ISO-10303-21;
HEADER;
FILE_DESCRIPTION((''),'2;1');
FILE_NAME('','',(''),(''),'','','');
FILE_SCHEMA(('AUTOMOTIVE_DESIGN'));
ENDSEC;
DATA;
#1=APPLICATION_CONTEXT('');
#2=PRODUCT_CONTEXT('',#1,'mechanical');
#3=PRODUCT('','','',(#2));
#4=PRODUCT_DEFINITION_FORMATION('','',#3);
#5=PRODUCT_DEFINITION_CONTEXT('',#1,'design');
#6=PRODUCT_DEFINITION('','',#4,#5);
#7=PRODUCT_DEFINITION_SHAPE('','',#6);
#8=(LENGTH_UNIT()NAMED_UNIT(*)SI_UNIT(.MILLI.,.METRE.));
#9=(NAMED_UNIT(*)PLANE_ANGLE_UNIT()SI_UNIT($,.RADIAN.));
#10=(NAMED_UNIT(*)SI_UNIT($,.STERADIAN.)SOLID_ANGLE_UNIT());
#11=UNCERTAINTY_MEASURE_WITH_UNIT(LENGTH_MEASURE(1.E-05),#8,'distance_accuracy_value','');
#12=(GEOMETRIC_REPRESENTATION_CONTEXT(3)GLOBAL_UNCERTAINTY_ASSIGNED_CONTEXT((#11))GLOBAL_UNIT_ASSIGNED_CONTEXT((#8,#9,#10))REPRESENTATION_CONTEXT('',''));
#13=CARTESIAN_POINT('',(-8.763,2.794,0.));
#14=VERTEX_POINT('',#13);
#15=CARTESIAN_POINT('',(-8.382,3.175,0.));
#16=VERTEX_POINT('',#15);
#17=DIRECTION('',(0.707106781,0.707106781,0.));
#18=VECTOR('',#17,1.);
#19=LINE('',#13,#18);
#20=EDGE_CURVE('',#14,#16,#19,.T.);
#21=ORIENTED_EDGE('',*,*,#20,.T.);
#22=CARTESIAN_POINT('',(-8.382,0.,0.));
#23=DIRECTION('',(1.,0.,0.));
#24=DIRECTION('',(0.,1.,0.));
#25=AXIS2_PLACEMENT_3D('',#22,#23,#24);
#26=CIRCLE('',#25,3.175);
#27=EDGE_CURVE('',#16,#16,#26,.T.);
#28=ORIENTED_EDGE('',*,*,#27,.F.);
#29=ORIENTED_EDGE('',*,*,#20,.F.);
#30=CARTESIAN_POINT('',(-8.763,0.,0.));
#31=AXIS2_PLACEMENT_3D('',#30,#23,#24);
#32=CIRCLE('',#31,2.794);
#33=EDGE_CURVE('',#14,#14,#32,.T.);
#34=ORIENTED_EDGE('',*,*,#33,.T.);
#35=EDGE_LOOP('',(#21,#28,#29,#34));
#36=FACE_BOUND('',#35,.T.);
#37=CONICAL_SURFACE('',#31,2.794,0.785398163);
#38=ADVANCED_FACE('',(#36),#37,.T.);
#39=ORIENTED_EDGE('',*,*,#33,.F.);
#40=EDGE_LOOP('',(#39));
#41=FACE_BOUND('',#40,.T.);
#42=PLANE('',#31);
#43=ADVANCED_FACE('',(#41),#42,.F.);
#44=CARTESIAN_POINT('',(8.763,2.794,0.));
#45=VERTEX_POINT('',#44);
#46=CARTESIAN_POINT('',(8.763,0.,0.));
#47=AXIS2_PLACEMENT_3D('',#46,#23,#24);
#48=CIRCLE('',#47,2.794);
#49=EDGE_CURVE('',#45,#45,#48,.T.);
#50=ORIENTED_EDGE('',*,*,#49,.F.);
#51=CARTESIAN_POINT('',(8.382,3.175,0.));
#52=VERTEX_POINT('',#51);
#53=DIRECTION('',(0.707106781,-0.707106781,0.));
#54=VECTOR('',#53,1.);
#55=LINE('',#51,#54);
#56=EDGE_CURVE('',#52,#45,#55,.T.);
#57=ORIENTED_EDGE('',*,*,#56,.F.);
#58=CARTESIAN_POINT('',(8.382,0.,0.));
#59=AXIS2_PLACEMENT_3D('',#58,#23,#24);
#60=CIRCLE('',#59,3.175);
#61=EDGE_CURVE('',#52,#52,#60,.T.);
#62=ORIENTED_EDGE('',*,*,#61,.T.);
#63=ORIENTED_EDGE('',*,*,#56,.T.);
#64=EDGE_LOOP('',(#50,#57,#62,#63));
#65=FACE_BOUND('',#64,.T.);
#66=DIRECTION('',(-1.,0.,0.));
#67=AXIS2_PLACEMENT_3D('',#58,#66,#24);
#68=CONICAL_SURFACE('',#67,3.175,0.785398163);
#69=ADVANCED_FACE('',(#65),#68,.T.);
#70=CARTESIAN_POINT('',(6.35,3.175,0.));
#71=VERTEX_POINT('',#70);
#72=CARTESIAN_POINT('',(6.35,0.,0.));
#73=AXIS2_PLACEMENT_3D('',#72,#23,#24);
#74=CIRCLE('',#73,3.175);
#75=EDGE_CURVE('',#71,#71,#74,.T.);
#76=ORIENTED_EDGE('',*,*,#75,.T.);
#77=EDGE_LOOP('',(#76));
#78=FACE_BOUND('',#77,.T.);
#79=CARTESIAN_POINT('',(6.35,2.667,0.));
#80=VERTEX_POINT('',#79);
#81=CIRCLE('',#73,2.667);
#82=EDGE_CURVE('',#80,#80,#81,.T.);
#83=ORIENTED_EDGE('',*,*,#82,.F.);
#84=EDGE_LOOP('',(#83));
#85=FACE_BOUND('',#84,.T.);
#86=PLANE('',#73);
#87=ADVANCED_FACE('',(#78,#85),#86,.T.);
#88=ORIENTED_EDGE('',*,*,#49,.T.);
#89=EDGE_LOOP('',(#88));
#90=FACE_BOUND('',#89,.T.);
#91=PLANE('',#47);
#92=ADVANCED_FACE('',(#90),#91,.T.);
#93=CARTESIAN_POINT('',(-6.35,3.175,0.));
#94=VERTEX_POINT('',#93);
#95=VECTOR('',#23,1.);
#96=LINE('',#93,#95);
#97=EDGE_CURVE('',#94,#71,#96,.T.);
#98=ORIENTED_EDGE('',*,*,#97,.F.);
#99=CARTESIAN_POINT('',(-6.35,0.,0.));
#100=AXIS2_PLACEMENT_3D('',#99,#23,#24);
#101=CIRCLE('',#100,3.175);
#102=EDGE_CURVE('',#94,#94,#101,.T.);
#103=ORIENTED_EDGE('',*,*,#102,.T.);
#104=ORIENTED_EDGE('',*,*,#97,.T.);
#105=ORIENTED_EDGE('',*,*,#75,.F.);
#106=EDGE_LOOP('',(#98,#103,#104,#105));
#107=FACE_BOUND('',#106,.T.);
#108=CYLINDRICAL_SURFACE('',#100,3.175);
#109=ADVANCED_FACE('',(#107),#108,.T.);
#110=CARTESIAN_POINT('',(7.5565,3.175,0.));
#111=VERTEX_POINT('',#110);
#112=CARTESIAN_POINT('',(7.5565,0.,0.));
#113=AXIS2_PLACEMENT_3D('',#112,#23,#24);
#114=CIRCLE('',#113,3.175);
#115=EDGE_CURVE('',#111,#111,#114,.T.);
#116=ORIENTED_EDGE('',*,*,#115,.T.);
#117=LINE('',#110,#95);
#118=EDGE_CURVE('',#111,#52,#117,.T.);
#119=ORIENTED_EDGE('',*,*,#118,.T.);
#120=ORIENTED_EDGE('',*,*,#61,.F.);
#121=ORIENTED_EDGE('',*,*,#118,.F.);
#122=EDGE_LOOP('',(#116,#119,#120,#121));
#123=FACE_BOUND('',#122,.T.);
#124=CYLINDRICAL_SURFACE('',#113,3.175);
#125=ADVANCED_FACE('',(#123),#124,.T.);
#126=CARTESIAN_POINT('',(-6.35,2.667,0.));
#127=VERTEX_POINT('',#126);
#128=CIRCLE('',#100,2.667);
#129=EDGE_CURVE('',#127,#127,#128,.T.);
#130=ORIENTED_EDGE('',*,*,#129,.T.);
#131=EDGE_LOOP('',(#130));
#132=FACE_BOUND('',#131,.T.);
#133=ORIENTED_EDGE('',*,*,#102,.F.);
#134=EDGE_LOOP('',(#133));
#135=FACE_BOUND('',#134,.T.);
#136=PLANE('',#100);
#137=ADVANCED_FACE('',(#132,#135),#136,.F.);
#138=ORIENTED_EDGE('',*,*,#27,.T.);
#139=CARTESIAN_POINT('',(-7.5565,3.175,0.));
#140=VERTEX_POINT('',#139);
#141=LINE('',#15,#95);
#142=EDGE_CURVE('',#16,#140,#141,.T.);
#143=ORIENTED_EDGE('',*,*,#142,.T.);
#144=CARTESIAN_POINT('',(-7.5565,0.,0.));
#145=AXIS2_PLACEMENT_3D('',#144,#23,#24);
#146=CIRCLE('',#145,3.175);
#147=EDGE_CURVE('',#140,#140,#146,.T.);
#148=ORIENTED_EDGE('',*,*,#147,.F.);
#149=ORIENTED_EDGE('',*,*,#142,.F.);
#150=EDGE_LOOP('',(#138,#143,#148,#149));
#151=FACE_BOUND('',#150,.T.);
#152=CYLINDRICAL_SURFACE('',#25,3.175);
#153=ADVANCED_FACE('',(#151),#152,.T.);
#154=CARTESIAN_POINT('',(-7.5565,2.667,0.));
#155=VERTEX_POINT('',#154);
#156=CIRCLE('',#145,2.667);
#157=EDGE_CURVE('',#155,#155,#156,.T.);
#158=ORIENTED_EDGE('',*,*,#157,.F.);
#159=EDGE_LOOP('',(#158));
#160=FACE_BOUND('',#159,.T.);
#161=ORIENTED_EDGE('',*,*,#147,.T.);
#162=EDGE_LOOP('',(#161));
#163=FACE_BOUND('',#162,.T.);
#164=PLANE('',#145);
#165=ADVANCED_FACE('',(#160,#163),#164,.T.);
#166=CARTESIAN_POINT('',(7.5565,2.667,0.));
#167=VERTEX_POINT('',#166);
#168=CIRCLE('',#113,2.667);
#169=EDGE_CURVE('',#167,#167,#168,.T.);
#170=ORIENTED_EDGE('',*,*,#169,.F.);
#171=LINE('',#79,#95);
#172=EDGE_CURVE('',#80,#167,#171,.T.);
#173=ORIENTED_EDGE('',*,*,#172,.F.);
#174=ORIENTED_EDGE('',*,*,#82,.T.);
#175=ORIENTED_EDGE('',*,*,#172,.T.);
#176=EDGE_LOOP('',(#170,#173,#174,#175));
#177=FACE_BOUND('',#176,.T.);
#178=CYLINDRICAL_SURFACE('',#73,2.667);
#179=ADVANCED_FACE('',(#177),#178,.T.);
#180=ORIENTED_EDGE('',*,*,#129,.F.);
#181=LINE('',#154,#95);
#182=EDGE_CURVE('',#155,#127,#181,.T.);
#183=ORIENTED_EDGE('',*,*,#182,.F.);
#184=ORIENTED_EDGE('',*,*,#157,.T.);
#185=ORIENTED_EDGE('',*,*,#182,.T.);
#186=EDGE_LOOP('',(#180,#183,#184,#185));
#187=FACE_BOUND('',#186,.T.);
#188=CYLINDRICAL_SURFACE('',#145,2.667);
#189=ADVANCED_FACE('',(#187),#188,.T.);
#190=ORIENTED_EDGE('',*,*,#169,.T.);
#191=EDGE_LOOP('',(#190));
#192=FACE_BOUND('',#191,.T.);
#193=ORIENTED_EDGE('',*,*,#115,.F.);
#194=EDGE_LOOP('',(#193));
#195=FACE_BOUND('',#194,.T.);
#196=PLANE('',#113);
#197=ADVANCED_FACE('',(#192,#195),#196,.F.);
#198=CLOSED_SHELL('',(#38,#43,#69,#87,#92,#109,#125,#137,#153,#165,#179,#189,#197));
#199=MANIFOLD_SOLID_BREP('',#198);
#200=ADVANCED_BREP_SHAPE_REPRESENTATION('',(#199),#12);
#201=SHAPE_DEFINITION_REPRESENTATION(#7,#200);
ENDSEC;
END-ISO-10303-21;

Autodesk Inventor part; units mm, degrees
sketch "Sketch_1" plane through (0, 0, 0) normal (0, 0, 1) x (1, 0, 0)
  line L0 (8.763, 0) -> (-8.763, 0)
  line L1 (-8.763, 0) -> (-8.763, 2.794)
  line L2 (-8.763, 2.794) -> (-8.382, 3.175)
  line L3 (-8.382, 3.175) -> (-7.5565, 3.175)
  line L4 (-7.5565, 3.175) -> (-7.5565, 2.667)
  line L5 (-7.5565, 2.667) -> (-6.35, 2.667)
  line L6 (-6.35, 2.667) -> (-6.35, 3.175)
  line L7 (-6.35, 3.175) -> (6.35, 3.175)
  line L8 (6.35, 3.175) -> (6.35, 2.667)
  line L9 (6.35, 2.667) -> (7.5565, 2.667)
  line L10 (7.5565, 2.667) -> (7.5565, 3.175)
  line L11 (7.5565, 3.175) -> (8.382, 3.175)
  line L12 (8.382, 3.175) -> (8.763, 2.794)
  line L13 (8.763, 2.794) -> (8.763, 0)
  line L14 (8.763, 0) -> (-8.763, 0)
revolve "Revolution1" add sketch "Sketch_1" angle 360 about axis through (8.763, 0, 0) along (1, 0, 0)
ref_plane "p1_XY" through (0, 0, 3.175) normal (1, 0, 0) x (0, 0, -1)
ref_plane "p1_YZ" through (0, 0, 3.175) normal (0, 0, -1) x (0, 1, 0)
ref_plane "p1_ZX" through (0, 0, 3.175) normal (0, 1, 0) x (1, 0, 0)
ref_plane "p2_XY" through (0, 0, -3.175) normal (1, 0, 0) x (0, 0, -1)
ref_plane "p2_YZ" through (0, 0, -3.175) normal (0, 0, -1) x (0, 1, 0)
ref_plane "p2_ZX" through (0, 0, -3.175) normal (0, 1, 0) x (1, 0, 0)
ref_plane "pin_XY" through (0, 0, 0) normal (1, 0, 0) x (0, 0, -1)
ref_plane "pin_YZ" through (0, 0, 0) normal (0, 0, -1) x (0, 1, 0)
ref_plane "pin_ZX" through (0, 0, 0) normal (0, 1, 0) x (1, 0, 0)
ref_plane "rr1_XY" through (6.9532, 0, 0) normal (1, 0, 0) x (0, 0, -1)
ref_plane "rr1_YZ" through (6.9532, 0, 0) normal (0, 0, -1) x (0, 1, 0)
ref_plane "rr1_ZX" through (6.9532, 0, 0) normal (0, 1, 0) x (1, 0, 0)
ref_plane "rr2_XY" through (-6.9532, 0, 0) normal (1, 0, 0) x (0, 0, -1)
ref_plane "rr2_YZ" through (-6.9532, 0, 0) normal (0, 0, -1) x (0, 1, 0)
ref_plane "rr2_ZX" through (-6.9532, 0, 0) normal (0, 1, 0) x (1, 0, 0)
ref_plane "w21_XY" through (8.763, 0, 0) normal (0, 1, 0) x (1, 0, 0)
ref_plane "w21_YZ" through (8.763, 0, 0) normal (1, 0, 0) x (0, 0, -1)
ref_plane "w21_ZX" through (8.763, 0, 0) normal (0, 0, -1) x (0, 1, 0)
ref_plane "w22_XY" through (-8.763, 0, 0) normal (0, 1, 0) x (1, 0, 0)
ref_plane "w22_YZ" through (-8.763, 0, 0) normal (1, 0, 0) x (0, 0, -1)
ref_plane "w22_ZX" through (-8.763, 0, 0) normal (0, 0, -1) x (0, 1, 0)
properties part number "D-8381" material "Stainless Steel"
